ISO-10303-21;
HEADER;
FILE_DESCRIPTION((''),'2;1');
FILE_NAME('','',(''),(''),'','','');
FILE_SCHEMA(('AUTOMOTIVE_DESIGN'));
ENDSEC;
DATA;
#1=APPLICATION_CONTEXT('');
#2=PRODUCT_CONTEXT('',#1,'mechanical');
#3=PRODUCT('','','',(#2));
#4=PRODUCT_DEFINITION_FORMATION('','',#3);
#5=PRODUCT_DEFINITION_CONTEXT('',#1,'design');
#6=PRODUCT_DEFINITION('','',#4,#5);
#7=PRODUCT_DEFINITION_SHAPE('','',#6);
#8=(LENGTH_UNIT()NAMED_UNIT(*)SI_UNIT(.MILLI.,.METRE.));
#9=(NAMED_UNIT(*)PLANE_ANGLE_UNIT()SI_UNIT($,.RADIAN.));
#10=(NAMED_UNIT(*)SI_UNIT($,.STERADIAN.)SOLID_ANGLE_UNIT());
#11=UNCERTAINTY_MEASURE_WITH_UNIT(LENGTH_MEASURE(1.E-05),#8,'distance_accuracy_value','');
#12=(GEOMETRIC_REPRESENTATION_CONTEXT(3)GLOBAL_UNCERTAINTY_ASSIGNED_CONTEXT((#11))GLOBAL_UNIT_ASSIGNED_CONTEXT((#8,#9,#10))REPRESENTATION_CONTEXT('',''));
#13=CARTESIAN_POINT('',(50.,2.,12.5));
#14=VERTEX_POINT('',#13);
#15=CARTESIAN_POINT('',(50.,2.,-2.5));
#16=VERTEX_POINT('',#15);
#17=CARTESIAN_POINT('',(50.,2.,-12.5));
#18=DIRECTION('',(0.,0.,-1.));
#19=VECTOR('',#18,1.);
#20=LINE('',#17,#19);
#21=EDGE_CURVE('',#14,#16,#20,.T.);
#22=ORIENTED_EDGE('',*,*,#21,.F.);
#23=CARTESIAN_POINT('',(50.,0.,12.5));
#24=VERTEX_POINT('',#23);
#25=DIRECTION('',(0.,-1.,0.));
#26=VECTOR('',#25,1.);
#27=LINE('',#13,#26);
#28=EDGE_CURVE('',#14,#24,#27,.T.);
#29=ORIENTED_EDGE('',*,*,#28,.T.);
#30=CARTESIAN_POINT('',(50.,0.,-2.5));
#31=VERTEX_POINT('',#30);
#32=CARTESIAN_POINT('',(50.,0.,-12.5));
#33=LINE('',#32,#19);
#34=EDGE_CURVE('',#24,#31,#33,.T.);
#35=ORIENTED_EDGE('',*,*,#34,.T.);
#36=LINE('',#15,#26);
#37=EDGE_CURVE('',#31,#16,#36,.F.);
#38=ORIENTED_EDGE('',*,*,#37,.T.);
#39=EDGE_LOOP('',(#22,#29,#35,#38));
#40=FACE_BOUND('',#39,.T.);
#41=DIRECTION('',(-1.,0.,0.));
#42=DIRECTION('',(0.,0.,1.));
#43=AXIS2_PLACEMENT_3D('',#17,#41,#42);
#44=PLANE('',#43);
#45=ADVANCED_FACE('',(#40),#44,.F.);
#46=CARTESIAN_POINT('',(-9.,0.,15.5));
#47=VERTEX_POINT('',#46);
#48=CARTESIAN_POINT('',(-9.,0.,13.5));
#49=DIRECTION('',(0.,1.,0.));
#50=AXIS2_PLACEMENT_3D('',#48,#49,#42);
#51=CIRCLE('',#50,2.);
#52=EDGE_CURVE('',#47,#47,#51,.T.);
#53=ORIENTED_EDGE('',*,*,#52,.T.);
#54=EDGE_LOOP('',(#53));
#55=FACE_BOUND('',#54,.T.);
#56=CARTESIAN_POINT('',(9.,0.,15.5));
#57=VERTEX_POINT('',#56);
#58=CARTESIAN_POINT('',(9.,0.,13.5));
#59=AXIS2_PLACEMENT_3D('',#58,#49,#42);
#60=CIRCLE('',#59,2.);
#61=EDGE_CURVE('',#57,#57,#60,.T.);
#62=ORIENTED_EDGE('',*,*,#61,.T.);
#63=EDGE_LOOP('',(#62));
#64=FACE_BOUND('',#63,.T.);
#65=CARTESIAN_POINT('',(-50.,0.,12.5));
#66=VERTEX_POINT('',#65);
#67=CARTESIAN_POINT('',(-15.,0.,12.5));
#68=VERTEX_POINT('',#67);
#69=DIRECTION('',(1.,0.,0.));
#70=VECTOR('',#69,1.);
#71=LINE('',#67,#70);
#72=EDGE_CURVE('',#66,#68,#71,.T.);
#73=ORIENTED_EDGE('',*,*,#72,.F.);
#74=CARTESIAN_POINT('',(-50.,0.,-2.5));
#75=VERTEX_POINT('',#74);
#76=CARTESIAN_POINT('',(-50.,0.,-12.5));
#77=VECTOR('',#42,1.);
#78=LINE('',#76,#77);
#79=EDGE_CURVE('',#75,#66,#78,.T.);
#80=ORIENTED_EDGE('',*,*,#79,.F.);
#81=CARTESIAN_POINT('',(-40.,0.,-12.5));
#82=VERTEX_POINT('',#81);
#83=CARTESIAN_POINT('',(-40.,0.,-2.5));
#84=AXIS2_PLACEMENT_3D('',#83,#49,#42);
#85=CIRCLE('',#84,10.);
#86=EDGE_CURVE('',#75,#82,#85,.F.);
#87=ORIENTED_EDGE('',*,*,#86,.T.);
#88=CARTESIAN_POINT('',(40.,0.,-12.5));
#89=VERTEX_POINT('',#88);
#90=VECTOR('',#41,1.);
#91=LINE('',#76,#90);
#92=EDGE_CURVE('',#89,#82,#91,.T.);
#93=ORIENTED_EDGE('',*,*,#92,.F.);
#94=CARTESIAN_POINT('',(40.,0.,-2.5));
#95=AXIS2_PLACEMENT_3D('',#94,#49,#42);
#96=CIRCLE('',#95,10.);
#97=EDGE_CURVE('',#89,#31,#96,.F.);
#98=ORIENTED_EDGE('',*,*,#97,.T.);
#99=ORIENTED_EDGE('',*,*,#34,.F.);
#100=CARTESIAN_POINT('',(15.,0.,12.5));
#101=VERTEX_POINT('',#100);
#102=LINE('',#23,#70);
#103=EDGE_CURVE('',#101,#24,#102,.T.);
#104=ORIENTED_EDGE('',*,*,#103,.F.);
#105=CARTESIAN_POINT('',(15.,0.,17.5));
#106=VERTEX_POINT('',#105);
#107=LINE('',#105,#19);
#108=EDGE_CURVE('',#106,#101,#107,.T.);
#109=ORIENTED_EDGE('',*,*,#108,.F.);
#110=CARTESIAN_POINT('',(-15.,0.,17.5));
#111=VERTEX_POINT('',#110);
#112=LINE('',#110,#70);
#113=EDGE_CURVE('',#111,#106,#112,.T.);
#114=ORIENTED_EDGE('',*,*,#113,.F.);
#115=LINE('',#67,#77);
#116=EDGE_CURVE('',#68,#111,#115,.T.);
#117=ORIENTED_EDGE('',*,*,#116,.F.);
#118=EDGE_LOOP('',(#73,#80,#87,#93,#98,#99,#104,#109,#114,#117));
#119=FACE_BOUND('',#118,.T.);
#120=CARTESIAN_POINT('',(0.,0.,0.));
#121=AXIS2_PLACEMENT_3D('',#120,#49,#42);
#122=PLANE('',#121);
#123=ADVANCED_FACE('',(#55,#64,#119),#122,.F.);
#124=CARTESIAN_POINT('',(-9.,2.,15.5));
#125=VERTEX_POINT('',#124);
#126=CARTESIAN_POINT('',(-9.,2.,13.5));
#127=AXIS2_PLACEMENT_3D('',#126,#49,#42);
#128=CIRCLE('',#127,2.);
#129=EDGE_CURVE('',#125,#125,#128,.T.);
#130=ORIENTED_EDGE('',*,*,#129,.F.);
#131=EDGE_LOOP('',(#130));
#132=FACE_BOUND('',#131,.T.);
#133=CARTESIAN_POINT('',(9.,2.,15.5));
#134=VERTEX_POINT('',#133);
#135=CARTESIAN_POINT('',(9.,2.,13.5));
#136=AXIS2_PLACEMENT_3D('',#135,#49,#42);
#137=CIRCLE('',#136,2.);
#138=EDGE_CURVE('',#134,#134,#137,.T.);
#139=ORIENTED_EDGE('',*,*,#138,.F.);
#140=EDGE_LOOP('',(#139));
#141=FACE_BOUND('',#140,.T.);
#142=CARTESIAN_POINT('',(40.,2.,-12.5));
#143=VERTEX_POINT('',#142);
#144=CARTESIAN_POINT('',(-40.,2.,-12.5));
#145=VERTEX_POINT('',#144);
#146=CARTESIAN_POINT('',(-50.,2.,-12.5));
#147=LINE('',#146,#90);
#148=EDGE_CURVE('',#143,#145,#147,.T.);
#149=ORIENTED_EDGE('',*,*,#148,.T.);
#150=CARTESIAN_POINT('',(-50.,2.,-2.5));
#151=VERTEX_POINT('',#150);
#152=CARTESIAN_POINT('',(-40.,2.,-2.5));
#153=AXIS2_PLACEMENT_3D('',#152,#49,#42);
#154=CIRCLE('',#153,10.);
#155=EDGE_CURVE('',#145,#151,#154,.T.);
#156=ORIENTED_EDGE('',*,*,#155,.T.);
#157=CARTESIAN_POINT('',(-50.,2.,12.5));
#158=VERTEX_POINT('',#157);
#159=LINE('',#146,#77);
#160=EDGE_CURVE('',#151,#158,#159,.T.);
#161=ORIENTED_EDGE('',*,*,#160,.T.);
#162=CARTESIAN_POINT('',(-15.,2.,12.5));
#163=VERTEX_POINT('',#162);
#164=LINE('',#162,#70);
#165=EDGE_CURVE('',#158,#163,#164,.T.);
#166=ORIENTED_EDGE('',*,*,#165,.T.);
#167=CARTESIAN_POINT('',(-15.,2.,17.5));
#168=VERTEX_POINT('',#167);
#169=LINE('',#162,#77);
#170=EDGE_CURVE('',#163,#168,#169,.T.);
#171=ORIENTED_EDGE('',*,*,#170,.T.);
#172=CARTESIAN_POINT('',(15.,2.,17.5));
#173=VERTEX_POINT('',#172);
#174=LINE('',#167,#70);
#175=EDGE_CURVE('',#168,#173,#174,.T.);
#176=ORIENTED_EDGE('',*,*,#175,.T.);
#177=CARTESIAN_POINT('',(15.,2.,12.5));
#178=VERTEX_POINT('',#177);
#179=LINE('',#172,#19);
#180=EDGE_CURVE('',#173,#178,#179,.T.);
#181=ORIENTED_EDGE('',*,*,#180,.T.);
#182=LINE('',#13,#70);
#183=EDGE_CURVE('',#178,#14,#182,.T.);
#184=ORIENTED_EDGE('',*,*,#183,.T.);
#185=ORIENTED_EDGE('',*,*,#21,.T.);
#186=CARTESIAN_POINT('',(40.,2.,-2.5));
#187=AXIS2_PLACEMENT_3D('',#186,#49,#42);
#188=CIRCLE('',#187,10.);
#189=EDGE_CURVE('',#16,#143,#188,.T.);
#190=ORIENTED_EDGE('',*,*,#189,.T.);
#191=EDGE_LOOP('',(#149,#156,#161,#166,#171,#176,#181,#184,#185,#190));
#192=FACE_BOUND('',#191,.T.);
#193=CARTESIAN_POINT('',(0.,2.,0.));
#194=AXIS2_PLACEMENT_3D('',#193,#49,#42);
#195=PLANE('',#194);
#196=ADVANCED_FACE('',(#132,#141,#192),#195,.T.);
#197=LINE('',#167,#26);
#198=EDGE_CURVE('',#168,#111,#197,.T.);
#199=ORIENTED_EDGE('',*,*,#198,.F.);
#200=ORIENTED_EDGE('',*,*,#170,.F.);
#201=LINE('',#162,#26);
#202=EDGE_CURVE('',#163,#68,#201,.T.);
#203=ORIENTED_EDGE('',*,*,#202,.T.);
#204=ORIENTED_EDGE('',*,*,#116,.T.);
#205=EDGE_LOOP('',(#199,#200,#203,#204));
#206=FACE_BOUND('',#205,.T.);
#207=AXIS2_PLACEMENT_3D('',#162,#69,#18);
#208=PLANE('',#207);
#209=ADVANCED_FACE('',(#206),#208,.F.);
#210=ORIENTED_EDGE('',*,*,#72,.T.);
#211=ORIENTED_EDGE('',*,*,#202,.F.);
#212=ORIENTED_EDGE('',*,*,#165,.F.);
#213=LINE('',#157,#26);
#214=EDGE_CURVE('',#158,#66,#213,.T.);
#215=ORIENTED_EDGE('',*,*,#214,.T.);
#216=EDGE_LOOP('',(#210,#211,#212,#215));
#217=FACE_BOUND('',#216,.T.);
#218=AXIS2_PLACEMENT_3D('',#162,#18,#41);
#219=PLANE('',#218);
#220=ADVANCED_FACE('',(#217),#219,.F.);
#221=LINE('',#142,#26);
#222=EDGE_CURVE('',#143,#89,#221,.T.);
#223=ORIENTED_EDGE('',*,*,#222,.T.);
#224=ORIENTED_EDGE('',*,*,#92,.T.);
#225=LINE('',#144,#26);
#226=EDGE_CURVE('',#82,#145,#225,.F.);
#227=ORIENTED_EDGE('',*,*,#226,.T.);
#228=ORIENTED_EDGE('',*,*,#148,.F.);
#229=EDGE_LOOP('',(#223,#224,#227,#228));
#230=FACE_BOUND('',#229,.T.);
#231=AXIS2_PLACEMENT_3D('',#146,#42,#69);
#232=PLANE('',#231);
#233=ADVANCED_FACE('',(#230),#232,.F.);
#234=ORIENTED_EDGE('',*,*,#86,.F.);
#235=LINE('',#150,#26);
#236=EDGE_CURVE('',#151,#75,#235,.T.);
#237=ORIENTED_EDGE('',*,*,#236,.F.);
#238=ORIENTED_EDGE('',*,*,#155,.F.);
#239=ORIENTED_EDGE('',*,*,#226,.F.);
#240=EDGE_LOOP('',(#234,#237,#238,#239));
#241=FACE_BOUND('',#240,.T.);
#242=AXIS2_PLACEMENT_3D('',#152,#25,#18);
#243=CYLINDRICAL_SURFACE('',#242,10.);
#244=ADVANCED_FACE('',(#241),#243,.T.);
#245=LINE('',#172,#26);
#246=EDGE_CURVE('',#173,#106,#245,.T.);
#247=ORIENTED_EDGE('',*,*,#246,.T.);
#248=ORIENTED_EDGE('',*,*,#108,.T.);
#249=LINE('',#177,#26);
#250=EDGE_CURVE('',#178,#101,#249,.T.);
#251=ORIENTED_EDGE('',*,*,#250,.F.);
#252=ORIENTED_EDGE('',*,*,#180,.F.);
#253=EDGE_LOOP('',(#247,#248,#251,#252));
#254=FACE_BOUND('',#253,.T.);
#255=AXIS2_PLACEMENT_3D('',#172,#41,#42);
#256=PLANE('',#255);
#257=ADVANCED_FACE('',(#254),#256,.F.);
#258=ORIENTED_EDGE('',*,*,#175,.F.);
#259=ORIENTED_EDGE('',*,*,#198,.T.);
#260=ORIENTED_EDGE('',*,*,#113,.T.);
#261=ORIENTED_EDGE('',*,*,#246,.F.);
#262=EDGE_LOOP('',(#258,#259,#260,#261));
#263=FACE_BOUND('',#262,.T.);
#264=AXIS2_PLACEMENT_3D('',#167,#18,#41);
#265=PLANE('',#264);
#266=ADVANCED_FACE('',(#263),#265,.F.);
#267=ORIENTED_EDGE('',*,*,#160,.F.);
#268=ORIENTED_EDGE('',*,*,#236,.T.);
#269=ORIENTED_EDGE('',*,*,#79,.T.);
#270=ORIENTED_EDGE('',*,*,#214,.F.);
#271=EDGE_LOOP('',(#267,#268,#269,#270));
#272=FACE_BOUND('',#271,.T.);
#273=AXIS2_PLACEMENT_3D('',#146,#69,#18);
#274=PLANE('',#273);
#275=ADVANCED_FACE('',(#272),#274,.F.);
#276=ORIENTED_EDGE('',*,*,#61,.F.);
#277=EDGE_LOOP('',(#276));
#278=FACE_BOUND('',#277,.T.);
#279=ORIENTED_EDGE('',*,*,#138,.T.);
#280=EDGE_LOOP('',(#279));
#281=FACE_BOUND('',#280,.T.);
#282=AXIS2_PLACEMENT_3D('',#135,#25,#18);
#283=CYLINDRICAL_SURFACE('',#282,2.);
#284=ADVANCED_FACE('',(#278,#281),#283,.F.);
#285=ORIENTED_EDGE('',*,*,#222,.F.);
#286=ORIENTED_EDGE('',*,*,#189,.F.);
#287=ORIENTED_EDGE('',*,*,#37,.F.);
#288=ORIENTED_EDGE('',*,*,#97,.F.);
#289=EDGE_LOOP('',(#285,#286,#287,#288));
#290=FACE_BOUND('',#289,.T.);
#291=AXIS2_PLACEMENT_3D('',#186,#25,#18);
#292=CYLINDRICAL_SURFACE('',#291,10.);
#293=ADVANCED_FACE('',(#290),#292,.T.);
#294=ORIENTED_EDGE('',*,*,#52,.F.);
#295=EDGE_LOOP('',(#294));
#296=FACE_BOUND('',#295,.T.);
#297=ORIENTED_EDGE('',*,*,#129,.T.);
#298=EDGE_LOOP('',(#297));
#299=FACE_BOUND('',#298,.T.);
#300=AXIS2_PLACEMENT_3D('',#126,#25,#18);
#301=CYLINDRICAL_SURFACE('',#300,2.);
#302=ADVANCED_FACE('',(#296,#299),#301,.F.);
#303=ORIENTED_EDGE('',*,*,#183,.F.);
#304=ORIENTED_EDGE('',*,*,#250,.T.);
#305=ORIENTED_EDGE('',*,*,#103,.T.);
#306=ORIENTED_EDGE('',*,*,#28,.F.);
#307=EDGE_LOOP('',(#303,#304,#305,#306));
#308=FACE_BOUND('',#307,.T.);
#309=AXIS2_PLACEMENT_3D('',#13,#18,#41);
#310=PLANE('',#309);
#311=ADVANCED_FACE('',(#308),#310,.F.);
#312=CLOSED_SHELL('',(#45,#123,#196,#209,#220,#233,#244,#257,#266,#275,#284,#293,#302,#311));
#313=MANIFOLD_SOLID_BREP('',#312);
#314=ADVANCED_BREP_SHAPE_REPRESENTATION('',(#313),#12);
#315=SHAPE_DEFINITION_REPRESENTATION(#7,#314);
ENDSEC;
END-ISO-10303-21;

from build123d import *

# Parameters (mm, degrees)
SKETCH1_R           = 2
BOSS_EXTRUDE1_DEPTH = 2
FILLET1_R           = 10


with BuildPart() as part:
    # Sketch1 → Boss-Extrude1 (new body)
    with BuildSketch(Plane(origin=(0, 0, 0), x_dir=(1, 0, 0), z_dir=(0, 1, 0))):
        Polygon((50, 12.5), (50, -12.5), (15, -12.5), (15, -17.5), (-15, -17.5), (-15, -12.5), (-50, -12.5), (-50, 12.5), align=None)
        with Locations(Location((-9, -13.5, 0), (0, 0, 270))):
            Circle(SKETCH1_R, mode=Mode.SUBTRACT)
        with Locations(Location((9, -13.5, 0), (0, 0, 270))):
            Circle(SKETCH1_R, mode=Mode.SUBTRACT)
    extrude(amount=BOSS_EXTRUDE1_DEPTH)

    # Fillet1
    fillet1_edges = [part.edges().sort_by_distance(p)[0] for p in [
        (-50, 1, -12.5),
        (50, 1, -12.5),
    ]]
    fillet(fillet1_edges, radius=FILLET1_R)


solid = part.part
